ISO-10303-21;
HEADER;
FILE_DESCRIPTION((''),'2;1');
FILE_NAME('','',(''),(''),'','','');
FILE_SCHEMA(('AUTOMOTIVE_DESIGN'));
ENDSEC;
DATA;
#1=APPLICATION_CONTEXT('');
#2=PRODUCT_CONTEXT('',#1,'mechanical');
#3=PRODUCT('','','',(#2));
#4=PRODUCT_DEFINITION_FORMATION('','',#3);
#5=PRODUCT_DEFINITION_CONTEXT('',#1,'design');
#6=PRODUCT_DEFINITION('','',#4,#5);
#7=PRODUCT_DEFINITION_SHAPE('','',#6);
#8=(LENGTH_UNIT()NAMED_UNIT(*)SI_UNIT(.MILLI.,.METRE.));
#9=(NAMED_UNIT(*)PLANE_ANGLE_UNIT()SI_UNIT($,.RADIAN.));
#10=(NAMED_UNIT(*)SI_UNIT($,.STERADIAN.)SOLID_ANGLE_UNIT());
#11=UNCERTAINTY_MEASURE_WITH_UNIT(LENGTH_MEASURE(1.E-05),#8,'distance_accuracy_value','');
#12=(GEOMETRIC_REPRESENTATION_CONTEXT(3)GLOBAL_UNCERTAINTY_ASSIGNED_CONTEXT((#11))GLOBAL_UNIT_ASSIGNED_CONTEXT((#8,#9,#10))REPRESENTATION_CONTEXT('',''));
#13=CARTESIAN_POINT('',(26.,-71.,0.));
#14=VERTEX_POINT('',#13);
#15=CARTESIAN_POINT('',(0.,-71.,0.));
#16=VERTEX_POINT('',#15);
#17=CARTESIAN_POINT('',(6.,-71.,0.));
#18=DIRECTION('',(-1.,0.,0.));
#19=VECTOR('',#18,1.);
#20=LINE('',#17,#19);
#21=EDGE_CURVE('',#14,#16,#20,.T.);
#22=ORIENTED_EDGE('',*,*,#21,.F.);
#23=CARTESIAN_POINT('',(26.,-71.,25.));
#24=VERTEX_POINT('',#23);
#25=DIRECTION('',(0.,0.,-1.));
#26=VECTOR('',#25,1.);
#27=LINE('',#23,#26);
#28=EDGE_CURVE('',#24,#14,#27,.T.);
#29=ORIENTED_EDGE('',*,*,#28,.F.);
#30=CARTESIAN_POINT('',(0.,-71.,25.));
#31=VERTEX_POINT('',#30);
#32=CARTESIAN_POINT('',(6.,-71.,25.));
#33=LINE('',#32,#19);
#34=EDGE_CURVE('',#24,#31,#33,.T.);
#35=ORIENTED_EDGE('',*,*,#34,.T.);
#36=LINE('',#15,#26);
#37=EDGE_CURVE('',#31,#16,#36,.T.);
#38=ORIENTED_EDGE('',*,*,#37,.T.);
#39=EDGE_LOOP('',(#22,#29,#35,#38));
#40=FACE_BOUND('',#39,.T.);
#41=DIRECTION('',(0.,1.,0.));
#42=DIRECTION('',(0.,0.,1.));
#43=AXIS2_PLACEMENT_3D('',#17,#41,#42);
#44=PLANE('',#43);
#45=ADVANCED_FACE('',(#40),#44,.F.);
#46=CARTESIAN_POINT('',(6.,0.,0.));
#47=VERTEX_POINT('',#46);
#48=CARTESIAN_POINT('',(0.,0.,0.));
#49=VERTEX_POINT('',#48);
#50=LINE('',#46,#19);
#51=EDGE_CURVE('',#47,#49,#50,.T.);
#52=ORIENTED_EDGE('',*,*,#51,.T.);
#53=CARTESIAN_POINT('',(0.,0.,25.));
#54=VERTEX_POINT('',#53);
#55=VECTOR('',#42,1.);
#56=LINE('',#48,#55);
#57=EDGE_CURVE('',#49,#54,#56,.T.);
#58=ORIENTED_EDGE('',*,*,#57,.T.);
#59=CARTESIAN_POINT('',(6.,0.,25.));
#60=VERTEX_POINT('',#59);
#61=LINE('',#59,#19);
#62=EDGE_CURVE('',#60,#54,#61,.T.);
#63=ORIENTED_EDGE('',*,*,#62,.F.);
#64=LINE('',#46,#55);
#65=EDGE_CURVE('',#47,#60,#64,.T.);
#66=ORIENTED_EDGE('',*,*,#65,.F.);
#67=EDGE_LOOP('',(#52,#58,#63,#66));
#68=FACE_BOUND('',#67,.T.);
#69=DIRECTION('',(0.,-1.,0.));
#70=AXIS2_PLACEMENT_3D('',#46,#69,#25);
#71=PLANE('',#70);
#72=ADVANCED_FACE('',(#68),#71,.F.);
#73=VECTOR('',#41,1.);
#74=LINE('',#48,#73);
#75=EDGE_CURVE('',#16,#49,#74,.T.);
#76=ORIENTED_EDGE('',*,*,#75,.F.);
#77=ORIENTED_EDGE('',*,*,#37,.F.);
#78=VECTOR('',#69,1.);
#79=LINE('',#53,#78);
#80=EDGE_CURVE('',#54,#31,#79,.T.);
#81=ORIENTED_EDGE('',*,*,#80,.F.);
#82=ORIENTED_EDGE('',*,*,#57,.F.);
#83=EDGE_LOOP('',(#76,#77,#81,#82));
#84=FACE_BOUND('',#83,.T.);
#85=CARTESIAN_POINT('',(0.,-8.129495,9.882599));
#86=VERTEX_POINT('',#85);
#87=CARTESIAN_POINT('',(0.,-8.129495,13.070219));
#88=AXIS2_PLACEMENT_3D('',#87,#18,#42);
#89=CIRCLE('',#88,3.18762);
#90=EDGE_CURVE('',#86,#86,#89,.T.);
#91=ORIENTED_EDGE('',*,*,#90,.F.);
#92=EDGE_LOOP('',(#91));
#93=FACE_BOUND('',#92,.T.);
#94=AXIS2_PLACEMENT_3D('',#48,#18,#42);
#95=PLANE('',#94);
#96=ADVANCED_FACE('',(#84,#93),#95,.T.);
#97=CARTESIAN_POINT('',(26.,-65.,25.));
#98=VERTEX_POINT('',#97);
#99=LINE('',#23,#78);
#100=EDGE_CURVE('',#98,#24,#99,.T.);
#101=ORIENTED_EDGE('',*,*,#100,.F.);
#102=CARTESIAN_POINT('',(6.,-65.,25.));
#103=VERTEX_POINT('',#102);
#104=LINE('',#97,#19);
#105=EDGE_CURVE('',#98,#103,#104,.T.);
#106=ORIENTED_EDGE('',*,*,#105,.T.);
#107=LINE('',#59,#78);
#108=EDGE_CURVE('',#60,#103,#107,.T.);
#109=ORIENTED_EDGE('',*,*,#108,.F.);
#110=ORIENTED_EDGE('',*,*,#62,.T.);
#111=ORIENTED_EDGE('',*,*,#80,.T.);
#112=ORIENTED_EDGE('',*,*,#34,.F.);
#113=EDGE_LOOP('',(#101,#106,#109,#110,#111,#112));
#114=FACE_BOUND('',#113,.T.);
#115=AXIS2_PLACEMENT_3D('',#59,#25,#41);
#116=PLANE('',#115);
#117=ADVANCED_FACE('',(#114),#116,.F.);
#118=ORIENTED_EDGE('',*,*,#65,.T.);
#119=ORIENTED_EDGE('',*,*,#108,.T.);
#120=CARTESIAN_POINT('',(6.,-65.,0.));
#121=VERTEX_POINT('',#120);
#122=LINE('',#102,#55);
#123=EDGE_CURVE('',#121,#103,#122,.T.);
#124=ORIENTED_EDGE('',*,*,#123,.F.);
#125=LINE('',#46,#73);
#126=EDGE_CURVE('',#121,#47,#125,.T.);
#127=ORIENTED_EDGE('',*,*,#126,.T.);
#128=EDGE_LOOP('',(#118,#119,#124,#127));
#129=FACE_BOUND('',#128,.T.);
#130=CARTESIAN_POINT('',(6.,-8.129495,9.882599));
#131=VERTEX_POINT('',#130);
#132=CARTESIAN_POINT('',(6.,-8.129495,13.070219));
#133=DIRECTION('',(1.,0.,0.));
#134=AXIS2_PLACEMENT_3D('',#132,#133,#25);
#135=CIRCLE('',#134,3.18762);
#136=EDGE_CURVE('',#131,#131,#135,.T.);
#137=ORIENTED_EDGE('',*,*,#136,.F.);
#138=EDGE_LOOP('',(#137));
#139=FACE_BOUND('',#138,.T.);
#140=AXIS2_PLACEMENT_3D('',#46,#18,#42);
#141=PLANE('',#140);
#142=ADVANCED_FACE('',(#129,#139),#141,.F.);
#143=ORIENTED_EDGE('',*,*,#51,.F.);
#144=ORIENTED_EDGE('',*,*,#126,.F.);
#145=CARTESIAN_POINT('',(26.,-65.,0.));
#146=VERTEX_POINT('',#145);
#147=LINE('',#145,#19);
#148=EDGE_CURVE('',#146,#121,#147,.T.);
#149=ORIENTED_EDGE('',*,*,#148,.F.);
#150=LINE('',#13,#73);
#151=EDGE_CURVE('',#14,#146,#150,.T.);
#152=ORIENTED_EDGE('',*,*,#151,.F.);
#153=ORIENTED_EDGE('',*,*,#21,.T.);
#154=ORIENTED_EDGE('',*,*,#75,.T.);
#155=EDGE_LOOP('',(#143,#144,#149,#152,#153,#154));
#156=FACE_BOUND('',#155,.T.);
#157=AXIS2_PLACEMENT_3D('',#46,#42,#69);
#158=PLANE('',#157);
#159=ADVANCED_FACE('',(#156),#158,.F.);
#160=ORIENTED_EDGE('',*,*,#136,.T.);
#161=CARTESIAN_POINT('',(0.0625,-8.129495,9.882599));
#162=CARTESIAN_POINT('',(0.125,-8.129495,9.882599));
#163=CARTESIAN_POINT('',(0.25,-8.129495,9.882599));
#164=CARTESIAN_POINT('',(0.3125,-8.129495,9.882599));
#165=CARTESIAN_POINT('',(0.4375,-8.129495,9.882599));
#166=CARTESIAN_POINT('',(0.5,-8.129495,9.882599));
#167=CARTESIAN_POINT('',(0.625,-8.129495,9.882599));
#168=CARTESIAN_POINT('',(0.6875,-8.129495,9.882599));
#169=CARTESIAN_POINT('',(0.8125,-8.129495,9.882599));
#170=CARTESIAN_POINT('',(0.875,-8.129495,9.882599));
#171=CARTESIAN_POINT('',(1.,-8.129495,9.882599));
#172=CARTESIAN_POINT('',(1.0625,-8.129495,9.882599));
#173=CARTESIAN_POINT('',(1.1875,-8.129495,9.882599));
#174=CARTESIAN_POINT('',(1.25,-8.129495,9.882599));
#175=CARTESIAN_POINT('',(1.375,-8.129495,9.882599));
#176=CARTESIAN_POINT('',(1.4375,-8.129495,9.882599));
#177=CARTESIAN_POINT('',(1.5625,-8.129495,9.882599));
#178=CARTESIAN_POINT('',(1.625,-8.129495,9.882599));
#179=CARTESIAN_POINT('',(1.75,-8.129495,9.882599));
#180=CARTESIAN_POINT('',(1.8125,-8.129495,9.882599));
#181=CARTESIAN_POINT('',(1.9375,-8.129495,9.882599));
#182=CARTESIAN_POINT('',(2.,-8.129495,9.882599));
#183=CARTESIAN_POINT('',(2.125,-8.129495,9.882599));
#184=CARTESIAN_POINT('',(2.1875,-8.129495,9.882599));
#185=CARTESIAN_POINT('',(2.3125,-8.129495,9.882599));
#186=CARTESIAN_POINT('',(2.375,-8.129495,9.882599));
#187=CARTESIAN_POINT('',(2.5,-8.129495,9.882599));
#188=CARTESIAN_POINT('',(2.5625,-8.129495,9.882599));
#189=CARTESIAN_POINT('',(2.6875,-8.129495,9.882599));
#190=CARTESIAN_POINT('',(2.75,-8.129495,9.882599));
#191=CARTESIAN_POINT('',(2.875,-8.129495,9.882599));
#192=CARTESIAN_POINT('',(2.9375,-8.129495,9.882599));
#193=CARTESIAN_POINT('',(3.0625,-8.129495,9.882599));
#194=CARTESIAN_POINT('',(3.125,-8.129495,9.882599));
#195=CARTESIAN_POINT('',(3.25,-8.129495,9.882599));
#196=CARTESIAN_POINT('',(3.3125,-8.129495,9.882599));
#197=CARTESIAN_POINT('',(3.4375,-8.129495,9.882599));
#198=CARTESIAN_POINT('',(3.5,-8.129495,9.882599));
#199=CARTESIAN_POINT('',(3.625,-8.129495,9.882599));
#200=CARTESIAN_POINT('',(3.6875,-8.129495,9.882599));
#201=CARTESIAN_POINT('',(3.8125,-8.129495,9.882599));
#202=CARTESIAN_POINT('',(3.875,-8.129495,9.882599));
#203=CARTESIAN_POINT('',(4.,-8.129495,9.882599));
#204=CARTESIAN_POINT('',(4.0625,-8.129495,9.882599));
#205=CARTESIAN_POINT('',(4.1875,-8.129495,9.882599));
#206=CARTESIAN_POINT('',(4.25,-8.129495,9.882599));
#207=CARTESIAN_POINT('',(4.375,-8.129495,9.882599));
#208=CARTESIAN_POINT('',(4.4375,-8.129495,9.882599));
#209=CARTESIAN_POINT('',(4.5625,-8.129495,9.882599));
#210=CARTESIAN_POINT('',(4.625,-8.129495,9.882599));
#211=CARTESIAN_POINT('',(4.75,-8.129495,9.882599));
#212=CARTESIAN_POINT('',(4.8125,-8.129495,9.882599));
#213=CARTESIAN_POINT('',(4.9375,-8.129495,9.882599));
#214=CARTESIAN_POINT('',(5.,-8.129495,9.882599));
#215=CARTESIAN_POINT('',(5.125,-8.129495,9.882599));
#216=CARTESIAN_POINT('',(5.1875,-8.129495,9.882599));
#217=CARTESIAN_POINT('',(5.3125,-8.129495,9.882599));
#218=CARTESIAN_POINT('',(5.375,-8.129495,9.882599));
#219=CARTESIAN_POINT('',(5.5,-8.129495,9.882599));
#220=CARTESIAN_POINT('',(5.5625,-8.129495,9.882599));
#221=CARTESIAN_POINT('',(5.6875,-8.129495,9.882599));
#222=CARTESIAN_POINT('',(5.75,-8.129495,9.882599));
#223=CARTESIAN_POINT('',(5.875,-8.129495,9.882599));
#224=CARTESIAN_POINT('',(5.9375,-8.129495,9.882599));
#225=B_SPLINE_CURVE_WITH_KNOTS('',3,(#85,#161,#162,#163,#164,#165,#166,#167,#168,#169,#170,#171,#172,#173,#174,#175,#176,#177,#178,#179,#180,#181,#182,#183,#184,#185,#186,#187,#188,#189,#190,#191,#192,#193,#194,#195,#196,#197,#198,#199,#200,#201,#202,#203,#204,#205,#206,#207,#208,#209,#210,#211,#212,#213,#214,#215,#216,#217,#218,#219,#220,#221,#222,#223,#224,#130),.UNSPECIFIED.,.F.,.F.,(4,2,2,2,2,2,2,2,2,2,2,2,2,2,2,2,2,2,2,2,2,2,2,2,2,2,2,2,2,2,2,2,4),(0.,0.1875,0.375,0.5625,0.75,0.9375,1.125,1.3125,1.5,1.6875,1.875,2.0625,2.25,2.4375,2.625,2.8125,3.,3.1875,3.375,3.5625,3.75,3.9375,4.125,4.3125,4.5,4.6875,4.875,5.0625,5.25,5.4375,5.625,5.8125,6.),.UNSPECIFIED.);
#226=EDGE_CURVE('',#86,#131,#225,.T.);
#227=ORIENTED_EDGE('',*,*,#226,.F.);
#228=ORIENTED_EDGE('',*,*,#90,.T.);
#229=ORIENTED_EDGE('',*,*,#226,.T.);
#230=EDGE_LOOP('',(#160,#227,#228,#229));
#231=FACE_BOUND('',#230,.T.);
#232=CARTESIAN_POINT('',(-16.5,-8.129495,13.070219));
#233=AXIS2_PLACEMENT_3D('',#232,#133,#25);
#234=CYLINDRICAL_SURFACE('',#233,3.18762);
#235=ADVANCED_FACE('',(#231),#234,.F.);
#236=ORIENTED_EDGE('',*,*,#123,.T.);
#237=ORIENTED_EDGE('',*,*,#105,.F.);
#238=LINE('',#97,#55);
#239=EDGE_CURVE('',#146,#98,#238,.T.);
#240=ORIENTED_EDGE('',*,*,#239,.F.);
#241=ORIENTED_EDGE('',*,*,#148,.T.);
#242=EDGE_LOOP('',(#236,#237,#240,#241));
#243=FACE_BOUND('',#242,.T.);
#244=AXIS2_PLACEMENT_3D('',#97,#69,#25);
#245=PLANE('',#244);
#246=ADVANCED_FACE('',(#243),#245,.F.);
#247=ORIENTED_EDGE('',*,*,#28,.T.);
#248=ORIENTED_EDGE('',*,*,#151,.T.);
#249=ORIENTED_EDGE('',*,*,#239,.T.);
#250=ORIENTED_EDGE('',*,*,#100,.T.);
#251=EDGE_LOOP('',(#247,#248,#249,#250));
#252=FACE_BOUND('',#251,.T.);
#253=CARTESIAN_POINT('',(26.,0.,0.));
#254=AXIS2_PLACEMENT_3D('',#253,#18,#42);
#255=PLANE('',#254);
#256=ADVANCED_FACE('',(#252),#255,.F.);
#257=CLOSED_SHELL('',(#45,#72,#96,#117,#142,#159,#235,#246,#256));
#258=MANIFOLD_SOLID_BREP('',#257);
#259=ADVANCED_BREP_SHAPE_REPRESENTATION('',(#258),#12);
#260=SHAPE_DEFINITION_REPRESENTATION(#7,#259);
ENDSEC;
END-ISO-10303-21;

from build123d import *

# Parameters (mm, degrees)
SKETCH1_W           = 25
SKETCH1_H           = 71
BOSS_EXTRUDE1_DEPTH = 6
SKETCH2_W           = 25
SKETCH2_H           = 6
BOSS_EXTRUDE2_DEPTH = 20
SKETCH3_R           = 3.187620356
CUT_EXTRUDE1_DEPTH  = 22.5


with BuildPart() as part:
    # Sketch1 → Boss-Extrude1 (new body)
    with BuildSketch(Plane(origin=(0, 0, 0), x_dir=(0, 0, -1), z_dir=(1, 0, 0))):
        with Locations((-12.5, -35.5)):
            Rectangle(SKETCH1_W, SKETCH1_H)
    extrude(amount=BOSS_EXTRUDE1_DEPTH)

    # Sketch2 → Boss-Extrude2 (add)
    with BuildSketch(Plane(origin=(6, 0, 0), x_dir=(0, 0, -1), z_dir=(1, 0, 0))):
        with Locations((-12.5, -68)):
            Rectangle(SKETCH2_W, SKETCH2_H)
    extrude(amount=BOSS_EXTRUDE2_DEPTH)

    # Sketch3 → Cut-Extrude1 (cut)
    with BuildSketch(Plane(origin=(6, 0, 0), x_dir=(0, 0, -1), z_dir=(1, 0, 0))):
        with Locations((-13.070218864, -8.129494521)):
            Circle(SKETCH3_R)
    extrude(amount=-CUT_EXTRUDE1_DEPTH, mode=Mode.SUBTRACT)


solid = part.part
